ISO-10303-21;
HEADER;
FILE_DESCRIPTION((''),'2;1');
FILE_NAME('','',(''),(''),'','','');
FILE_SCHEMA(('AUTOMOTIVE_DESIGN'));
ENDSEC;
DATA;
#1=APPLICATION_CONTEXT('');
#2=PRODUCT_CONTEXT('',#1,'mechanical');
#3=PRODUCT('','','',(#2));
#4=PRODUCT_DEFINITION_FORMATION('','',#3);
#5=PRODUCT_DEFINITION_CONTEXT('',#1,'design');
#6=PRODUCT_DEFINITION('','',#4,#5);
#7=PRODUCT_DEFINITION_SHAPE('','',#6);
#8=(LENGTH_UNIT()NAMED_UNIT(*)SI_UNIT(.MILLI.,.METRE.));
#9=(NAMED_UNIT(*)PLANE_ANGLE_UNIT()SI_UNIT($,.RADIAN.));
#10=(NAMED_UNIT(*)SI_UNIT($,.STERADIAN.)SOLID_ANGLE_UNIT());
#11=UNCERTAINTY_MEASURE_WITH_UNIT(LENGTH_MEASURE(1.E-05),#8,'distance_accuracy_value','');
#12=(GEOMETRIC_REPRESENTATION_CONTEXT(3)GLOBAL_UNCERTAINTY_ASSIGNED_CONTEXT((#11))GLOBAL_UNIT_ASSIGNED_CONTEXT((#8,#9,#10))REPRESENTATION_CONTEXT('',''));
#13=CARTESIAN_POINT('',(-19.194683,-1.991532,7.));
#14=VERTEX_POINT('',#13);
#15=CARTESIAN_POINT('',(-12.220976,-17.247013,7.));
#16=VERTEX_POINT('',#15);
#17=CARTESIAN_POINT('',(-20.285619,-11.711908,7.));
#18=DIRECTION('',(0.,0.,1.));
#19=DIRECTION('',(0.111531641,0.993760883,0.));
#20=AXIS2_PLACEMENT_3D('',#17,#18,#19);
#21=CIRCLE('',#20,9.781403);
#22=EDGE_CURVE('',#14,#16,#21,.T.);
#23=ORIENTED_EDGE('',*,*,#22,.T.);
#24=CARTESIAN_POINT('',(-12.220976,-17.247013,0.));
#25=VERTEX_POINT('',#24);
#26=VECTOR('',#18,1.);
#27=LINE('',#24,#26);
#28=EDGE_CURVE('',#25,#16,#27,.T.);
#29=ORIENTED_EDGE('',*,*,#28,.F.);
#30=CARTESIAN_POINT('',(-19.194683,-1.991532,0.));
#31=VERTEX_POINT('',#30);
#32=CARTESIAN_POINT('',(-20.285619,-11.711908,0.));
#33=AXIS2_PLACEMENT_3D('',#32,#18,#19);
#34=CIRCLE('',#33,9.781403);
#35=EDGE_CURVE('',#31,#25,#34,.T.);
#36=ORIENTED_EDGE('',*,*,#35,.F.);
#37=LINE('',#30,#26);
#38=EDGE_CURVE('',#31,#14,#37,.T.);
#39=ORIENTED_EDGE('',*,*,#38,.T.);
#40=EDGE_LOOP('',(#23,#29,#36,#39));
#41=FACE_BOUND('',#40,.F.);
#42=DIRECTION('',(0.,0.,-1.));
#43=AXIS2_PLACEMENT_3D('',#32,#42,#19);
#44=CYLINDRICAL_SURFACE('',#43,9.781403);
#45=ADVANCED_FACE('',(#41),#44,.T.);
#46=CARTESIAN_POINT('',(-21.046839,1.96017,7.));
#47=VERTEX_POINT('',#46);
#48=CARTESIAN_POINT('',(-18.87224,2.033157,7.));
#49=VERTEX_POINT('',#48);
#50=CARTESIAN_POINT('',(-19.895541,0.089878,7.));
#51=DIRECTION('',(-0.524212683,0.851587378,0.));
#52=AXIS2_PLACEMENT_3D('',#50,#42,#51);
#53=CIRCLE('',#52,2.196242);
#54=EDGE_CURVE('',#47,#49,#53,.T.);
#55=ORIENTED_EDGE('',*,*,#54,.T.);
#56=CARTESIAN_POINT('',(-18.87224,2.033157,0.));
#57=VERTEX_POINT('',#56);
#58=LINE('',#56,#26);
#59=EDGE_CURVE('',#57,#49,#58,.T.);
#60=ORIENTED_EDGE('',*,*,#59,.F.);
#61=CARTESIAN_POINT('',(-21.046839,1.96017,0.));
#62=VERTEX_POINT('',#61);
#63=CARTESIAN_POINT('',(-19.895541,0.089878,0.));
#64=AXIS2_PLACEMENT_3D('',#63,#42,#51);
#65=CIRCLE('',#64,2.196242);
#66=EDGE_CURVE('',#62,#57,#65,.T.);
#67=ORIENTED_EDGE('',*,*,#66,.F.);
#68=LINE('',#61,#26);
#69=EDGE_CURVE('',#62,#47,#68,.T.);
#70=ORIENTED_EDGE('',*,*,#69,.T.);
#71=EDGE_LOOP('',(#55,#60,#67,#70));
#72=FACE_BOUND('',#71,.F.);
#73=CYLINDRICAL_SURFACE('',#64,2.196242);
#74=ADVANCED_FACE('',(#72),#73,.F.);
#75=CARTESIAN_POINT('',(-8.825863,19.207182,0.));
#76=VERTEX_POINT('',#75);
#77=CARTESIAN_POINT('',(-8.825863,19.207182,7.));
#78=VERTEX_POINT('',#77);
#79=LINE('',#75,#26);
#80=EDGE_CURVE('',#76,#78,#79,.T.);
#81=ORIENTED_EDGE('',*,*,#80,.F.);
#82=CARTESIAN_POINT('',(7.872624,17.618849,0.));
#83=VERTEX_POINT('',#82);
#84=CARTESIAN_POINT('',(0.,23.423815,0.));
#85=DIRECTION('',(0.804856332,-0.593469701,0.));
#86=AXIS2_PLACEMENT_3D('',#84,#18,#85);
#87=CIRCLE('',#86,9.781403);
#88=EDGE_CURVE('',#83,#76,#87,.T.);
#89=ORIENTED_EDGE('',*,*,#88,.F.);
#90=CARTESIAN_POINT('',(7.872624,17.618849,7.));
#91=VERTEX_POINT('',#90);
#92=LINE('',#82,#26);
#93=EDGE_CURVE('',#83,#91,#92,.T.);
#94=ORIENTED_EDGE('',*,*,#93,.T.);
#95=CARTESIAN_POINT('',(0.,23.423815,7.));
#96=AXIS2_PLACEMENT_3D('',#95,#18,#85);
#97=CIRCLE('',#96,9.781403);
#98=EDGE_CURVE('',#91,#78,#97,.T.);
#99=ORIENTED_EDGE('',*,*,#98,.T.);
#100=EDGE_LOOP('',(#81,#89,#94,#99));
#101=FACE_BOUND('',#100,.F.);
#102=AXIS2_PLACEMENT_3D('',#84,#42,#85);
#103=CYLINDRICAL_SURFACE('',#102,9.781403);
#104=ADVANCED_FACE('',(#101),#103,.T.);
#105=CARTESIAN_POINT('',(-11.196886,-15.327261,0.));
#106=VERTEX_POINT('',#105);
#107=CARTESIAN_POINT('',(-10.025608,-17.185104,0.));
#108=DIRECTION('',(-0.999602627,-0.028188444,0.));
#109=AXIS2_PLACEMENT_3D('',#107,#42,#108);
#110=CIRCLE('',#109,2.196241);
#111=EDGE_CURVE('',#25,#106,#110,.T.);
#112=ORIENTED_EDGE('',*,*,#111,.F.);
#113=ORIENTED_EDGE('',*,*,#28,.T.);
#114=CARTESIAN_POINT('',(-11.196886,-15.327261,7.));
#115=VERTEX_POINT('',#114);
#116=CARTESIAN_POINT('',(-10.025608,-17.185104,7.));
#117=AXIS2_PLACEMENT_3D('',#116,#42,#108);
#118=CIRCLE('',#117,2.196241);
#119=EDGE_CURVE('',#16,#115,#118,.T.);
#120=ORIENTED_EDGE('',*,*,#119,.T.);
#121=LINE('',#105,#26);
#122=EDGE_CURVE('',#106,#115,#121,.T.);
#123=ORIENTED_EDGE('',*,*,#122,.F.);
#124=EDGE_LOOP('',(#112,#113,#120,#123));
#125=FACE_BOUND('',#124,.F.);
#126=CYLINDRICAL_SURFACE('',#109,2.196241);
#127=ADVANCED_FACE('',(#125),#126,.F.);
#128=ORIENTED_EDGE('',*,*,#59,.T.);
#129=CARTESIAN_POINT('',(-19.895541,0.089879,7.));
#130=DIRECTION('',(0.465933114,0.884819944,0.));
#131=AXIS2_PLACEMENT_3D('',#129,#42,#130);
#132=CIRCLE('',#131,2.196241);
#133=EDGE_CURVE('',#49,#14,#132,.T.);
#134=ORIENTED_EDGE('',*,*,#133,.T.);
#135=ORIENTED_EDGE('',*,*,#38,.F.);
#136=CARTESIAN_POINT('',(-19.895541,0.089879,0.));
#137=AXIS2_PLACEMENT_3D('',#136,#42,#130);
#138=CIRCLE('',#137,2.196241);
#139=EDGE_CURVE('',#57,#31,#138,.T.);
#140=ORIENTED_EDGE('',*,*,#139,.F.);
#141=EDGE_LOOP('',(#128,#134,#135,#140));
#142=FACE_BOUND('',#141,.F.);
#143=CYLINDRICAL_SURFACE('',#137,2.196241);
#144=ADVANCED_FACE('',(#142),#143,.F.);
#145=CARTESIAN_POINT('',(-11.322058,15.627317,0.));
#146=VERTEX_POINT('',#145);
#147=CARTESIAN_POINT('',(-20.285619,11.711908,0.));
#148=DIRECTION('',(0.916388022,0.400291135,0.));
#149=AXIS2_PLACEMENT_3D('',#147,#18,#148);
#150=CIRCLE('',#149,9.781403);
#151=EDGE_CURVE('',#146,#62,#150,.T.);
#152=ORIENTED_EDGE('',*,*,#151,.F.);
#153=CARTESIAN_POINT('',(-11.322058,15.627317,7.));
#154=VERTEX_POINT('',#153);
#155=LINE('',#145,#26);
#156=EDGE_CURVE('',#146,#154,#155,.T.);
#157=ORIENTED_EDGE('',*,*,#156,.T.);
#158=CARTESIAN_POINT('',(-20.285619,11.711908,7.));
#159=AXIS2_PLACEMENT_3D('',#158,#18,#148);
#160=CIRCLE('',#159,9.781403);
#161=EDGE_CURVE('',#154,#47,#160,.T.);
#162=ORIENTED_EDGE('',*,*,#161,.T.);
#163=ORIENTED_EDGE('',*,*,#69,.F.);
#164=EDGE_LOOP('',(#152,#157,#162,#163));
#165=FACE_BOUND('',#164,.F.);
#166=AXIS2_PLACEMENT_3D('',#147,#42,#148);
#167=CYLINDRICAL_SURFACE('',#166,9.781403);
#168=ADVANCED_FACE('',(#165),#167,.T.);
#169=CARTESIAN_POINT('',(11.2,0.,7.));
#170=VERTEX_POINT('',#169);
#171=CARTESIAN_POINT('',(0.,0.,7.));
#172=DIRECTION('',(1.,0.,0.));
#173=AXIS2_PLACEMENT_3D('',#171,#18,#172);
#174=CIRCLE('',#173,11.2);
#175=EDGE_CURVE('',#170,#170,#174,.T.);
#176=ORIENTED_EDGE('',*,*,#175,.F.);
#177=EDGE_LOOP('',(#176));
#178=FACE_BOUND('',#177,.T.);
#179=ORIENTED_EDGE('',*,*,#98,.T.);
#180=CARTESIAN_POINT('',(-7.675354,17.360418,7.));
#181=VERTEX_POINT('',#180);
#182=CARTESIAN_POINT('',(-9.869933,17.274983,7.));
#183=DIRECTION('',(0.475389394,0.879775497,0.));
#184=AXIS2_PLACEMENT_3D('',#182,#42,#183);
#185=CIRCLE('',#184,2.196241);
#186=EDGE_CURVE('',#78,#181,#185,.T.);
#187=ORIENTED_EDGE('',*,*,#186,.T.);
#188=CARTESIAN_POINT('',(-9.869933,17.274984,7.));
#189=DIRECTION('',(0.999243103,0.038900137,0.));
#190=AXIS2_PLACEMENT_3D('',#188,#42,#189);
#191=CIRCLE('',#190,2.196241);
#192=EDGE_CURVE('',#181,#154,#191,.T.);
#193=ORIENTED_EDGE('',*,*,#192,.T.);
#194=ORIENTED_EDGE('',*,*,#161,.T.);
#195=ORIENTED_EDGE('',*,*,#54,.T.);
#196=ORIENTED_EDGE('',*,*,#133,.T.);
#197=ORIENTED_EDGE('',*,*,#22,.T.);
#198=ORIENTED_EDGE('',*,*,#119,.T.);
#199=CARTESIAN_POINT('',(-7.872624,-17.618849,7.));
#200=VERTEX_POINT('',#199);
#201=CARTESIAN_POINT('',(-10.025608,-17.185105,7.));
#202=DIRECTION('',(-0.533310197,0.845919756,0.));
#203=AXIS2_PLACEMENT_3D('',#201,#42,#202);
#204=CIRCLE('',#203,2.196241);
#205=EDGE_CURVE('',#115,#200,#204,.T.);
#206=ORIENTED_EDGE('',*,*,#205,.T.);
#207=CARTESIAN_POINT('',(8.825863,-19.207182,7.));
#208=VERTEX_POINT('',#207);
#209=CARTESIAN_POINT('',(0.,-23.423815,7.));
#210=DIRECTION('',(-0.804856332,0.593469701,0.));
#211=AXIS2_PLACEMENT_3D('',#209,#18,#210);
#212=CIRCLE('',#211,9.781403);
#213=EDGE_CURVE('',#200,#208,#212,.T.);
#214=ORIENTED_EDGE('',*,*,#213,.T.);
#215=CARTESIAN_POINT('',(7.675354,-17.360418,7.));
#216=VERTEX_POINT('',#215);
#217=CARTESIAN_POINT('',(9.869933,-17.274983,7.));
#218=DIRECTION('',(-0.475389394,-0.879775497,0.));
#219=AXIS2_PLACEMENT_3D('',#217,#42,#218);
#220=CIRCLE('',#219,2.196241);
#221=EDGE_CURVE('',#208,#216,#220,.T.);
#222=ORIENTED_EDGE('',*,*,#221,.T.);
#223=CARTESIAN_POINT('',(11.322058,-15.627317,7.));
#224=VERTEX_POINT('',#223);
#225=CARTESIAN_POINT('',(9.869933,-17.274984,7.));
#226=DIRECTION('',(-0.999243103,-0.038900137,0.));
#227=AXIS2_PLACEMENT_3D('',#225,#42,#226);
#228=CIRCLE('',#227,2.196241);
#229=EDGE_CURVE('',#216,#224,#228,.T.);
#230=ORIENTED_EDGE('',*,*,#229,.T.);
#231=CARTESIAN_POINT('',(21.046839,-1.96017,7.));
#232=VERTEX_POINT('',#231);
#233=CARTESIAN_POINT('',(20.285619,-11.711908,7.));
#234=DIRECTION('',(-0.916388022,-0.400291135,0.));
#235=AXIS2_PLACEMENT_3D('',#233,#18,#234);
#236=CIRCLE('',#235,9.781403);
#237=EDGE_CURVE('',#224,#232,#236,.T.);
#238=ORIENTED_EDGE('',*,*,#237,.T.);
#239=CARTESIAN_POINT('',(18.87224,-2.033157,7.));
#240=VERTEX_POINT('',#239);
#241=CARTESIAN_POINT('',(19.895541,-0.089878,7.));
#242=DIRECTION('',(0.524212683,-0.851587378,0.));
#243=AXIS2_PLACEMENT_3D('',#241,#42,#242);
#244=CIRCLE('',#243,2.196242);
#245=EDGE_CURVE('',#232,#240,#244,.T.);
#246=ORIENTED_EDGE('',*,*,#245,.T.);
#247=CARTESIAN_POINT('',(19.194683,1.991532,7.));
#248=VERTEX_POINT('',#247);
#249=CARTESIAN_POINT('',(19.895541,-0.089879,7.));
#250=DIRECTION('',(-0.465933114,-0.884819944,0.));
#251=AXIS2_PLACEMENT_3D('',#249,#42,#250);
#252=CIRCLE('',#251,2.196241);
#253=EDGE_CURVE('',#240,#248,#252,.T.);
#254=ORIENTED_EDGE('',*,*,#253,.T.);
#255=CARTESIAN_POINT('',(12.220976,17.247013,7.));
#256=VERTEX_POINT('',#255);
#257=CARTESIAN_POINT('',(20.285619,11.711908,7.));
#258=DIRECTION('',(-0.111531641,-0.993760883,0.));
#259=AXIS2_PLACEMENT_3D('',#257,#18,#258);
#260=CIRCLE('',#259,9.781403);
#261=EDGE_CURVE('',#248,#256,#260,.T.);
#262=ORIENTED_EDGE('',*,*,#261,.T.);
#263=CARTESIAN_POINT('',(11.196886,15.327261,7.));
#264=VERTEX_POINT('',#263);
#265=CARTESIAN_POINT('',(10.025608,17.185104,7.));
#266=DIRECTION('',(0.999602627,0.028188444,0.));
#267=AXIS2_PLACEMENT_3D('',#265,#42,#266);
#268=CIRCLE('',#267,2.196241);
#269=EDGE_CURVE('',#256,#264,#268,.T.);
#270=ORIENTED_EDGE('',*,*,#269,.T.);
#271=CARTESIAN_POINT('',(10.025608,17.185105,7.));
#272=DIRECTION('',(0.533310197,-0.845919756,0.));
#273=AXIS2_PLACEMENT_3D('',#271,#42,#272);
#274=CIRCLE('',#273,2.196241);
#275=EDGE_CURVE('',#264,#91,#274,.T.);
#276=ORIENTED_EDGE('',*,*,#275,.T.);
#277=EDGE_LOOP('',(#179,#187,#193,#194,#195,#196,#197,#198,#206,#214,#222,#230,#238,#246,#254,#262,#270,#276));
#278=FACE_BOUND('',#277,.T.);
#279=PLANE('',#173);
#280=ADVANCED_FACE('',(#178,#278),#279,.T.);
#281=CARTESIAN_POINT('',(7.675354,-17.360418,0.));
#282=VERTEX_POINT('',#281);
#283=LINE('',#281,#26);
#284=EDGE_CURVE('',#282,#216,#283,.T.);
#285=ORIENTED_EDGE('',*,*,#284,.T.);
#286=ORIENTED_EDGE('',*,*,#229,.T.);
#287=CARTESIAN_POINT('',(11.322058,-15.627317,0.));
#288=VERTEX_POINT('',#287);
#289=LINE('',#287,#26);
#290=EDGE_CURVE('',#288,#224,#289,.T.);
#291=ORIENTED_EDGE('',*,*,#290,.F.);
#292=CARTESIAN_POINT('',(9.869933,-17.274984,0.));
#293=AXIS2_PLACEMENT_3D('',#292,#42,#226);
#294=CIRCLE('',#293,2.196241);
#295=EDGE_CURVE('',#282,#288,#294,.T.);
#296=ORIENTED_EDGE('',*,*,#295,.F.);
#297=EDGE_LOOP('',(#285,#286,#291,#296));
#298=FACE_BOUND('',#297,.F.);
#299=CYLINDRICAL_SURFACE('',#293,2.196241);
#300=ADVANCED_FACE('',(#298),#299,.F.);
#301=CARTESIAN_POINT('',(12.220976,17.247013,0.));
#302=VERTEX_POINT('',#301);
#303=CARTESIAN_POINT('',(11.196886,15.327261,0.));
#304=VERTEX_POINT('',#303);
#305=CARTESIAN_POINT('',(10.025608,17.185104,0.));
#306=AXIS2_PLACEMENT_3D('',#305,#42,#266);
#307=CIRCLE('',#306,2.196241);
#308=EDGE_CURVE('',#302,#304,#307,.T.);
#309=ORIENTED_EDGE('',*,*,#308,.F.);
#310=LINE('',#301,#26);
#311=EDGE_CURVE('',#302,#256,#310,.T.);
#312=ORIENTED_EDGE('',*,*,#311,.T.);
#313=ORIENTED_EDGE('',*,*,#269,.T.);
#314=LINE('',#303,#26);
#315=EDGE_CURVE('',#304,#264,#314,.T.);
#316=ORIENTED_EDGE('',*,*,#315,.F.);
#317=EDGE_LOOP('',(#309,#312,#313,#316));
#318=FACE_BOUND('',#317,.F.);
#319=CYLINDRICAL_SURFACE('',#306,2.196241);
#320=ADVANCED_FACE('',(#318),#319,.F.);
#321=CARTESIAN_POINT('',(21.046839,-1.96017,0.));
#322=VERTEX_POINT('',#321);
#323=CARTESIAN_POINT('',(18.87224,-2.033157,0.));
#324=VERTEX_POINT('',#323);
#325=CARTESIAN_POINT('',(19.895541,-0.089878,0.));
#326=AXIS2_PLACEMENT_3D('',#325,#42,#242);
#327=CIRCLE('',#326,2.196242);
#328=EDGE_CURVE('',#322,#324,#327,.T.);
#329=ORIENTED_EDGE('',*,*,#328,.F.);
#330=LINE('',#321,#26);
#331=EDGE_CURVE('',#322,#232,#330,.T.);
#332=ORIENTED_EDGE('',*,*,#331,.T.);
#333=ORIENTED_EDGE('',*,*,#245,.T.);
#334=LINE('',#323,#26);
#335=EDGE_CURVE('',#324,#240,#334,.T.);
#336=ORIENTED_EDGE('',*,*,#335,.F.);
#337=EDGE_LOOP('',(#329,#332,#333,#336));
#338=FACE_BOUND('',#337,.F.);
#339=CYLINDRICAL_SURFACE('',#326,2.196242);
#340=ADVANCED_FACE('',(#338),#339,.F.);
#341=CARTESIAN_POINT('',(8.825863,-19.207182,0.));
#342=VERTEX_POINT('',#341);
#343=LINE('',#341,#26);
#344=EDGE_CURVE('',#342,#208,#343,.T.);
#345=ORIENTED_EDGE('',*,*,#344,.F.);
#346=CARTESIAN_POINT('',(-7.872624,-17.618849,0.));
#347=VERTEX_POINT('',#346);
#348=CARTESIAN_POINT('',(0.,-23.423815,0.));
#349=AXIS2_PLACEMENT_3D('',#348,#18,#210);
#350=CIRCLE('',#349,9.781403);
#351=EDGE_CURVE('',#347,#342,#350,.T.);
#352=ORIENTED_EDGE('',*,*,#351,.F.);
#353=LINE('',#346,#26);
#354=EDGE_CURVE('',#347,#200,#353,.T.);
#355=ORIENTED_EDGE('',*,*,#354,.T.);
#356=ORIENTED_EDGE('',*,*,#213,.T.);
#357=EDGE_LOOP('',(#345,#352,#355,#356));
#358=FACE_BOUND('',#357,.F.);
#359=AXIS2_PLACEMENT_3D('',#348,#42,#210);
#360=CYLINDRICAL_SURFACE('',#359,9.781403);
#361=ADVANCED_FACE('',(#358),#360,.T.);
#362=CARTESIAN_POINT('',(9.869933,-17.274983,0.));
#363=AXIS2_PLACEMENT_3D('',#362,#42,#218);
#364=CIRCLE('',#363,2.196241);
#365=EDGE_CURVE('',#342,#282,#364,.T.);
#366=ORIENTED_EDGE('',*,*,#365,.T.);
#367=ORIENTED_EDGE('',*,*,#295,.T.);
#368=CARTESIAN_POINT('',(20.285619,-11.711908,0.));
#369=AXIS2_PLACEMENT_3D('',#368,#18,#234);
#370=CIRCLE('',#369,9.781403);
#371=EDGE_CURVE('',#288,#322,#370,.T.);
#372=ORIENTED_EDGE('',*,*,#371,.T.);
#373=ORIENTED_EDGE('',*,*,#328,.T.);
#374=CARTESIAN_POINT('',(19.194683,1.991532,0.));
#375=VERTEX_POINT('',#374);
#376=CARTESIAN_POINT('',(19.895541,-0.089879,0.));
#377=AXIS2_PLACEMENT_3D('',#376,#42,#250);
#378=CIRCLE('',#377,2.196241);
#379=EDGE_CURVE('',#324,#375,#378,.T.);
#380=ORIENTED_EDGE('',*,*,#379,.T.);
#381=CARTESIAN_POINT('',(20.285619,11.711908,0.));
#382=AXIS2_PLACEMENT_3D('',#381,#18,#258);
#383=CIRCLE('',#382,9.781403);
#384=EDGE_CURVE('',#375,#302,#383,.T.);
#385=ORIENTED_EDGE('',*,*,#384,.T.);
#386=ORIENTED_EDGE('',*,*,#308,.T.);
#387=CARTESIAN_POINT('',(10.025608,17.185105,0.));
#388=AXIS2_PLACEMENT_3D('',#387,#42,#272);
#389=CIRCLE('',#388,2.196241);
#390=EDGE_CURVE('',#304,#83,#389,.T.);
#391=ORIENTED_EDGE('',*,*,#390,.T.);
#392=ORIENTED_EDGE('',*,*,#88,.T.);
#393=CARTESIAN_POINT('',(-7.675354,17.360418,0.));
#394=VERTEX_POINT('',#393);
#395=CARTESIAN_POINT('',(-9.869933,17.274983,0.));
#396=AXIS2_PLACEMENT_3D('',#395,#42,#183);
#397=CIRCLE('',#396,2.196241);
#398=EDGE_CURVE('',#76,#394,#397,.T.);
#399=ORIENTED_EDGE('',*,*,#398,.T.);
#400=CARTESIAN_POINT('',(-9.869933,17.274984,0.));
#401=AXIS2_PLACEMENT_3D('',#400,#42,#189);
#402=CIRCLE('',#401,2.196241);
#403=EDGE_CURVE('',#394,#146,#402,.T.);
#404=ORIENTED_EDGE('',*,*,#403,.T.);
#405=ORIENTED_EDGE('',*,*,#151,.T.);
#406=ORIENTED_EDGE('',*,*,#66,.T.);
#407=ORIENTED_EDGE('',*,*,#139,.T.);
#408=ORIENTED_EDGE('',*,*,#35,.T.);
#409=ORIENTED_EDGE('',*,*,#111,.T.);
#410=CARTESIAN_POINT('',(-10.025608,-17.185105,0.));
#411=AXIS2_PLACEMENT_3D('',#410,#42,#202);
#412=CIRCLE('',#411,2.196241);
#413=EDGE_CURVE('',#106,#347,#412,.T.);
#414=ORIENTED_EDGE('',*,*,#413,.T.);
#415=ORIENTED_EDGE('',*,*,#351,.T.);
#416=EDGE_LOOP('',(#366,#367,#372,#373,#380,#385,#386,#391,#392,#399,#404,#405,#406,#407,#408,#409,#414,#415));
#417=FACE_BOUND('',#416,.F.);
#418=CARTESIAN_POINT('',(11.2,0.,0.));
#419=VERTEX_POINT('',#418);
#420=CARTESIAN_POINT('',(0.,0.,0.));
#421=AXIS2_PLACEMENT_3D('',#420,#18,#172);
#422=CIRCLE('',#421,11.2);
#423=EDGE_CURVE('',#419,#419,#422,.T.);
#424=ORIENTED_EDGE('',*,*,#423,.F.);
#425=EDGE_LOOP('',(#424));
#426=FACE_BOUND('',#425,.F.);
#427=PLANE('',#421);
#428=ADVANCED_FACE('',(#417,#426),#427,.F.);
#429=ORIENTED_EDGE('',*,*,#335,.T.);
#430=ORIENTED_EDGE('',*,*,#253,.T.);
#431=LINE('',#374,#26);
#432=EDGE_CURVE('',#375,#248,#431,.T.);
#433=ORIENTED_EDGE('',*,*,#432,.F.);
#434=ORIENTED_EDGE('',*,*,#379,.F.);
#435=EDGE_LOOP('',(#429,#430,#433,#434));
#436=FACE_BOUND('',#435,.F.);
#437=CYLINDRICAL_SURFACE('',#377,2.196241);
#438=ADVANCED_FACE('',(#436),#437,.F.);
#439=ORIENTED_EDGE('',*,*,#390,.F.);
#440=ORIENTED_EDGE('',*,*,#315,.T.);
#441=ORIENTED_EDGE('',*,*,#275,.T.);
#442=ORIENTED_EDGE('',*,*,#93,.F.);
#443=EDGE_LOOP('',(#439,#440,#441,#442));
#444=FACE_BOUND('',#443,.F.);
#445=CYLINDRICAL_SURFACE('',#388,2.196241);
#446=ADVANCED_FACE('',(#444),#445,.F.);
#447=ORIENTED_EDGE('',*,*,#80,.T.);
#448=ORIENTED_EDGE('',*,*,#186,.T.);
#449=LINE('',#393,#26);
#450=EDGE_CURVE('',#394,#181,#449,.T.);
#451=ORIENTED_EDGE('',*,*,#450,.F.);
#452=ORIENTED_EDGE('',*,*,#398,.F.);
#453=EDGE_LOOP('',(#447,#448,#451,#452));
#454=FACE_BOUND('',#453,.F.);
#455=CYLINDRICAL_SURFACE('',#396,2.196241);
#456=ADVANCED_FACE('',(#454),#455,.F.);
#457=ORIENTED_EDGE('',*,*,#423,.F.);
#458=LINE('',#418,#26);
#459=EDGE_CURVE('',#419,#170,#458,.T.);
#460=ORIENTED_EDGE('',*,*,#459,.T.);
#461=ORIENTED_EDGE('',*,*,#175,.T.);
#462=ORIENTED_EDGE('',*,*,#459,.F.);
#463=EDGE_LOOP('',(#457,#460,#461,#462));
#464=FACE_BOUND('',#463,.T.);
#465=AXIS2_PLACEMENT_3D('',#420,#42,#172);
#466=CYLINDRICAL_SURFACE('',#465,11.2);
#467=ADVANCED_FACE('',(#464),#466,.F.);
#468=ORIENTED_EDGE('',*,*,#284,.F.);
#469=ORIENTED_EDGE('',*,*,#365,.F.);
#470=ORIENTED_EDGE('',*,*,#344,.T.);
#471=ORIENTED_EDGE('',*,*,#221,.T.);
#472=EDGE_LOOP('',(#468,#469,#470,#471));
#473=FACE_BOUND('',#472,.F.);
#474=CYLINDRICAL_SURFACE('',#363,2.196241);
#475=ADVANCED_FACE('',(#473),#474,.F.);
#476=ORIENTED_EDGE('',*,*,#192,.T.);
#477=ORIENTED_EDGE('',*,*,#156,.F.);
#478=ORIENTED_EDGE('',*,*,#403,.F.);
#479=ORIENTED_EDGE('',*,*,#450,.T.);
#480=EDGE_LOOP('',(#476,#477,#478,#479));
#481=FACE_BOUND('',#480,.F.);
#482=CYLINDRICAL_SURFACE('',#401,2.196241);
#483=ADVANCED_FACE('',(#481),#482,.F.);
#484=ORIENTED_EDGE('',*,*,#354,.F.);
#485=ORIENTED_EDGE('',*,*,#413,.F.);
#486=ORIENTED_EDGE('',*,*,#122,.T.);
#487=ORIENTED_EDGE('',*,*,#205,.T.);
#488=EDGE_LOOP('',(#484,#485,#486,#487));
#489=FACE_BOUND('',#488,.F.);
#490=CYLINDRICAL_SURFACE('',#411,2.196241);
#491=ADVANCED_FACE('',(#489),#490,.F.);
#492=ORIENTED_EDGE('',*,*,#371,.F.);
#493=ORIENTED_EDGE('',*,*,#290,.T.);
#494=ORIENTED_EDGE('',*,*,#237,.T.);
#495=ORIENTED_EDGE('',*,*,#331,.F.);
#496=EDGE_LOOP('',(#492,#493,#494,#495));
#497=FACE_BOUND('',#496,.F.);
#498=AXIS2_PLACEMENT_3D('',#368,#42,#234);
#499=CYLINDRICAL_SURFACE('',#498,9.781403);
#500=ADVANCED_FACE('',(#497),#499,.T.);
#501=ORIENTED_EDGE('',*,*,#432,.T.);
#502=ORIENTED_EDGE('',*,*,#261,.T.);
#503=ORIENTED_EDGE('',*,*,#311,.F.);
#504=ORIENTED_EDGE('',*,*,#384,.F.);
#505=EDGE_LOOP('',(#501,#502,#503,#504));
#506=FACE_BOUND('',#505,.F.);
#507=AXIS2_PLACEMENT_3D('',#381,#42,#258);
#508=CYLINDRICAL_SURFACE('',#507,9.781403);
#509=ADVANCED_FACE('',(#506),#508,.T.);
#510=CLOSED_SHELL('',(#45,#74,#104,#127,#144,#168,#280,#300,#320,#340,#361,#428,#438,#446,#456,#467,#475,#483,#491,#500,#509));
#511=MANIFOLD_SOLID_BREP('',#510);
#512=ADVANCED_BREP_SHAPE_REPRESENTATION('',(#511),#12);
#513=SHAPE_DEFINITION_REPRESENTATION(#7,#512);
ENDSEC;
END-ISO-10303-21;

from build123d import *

# Parameters (mm, degrees)
F0_R     = 11.2
F1_DEPTH = 7


with BuildPart() as f1:
    # F0 (on Top) → F1 (new body)
    with BuildSketch(Plane.XY):
        with BuildLine():
            ThreePointArc((11.196886, 15.327261), (8.779101, 15.376875), (7.872624, 17.618849))
            ThreePointArc((7.872624, 17.618849), (0.926211, 33.161268), (-8.825863, 19.207182))
            ThreePointArc((-8.825863, 19.207182), (-8.005839, 18.436288), (-7.675354, 17.360418))
            ThreePointArc((-7.675354, 17.360418), (-8.927214, 15.291362), (-11.322058, 15.627317))
            ThreePointArc((-11.322058, 15.627317), (-28.255395, 17.382756), (-21.046839, 1.96017))
            ThreePointArc((-21.046839, 1.96017), (-19.969213, 2.284884), (-18.87224, 2.033157))
            ThreePointArc((-18.87224, 2.033157), (-17.706315, -0.085513), (-19.194683, -1.991532))
            ThreePointArc((-19.194683, -1.991532), (-29.181606, -15.778512), (-12.220976, -17.247013))
            ThreePointArc((-12.220976, -17.247013), (-11.963374, -16.151404), (-11.196886, -15.327261))
            ThreePointArc((-11.196886, -15.327261), (-8.779101, -15.376875), (-7.872624, -17.618849))
            ThreePointArc((-7.872624, -17.618849), (-0.926211, -33.161268), (8.825863, -19.207182))
            ThreePointArc((8.825863, -19.207182), (8.005839, -18.436288), (7.675354, -17.360418))
            ThreePointArc((7.675354, -17.360418), (8.927214, -15.291362), (11.322058, -15.627317))
            ThreePointArc((11.322058, -15.627317), (28.255395, -17.382756), (21.046839, -1.96017))
            ThreePointArc((21.046839, -1.96017), (19.969213, -2.284884), (18.87224, -2.033157))
            ThreePointArc((18.87224, -2.033157), (17.706315, 0.085513), (19.194683, 1.991532))
            ThreePointArc((19.194683, 1.991532), (29.181606, 15.778512), (12.220976, 17.247013))
            ThreePointArc((12.220976, 17.247013), (11.963374, 16.151404), (11.196886, 15.327261))
        make_face()
        Circle(F0_R, mode=Mode.SUBTRACT)
    extrude(amount=F1_DEPTH)


solid = f1.part
